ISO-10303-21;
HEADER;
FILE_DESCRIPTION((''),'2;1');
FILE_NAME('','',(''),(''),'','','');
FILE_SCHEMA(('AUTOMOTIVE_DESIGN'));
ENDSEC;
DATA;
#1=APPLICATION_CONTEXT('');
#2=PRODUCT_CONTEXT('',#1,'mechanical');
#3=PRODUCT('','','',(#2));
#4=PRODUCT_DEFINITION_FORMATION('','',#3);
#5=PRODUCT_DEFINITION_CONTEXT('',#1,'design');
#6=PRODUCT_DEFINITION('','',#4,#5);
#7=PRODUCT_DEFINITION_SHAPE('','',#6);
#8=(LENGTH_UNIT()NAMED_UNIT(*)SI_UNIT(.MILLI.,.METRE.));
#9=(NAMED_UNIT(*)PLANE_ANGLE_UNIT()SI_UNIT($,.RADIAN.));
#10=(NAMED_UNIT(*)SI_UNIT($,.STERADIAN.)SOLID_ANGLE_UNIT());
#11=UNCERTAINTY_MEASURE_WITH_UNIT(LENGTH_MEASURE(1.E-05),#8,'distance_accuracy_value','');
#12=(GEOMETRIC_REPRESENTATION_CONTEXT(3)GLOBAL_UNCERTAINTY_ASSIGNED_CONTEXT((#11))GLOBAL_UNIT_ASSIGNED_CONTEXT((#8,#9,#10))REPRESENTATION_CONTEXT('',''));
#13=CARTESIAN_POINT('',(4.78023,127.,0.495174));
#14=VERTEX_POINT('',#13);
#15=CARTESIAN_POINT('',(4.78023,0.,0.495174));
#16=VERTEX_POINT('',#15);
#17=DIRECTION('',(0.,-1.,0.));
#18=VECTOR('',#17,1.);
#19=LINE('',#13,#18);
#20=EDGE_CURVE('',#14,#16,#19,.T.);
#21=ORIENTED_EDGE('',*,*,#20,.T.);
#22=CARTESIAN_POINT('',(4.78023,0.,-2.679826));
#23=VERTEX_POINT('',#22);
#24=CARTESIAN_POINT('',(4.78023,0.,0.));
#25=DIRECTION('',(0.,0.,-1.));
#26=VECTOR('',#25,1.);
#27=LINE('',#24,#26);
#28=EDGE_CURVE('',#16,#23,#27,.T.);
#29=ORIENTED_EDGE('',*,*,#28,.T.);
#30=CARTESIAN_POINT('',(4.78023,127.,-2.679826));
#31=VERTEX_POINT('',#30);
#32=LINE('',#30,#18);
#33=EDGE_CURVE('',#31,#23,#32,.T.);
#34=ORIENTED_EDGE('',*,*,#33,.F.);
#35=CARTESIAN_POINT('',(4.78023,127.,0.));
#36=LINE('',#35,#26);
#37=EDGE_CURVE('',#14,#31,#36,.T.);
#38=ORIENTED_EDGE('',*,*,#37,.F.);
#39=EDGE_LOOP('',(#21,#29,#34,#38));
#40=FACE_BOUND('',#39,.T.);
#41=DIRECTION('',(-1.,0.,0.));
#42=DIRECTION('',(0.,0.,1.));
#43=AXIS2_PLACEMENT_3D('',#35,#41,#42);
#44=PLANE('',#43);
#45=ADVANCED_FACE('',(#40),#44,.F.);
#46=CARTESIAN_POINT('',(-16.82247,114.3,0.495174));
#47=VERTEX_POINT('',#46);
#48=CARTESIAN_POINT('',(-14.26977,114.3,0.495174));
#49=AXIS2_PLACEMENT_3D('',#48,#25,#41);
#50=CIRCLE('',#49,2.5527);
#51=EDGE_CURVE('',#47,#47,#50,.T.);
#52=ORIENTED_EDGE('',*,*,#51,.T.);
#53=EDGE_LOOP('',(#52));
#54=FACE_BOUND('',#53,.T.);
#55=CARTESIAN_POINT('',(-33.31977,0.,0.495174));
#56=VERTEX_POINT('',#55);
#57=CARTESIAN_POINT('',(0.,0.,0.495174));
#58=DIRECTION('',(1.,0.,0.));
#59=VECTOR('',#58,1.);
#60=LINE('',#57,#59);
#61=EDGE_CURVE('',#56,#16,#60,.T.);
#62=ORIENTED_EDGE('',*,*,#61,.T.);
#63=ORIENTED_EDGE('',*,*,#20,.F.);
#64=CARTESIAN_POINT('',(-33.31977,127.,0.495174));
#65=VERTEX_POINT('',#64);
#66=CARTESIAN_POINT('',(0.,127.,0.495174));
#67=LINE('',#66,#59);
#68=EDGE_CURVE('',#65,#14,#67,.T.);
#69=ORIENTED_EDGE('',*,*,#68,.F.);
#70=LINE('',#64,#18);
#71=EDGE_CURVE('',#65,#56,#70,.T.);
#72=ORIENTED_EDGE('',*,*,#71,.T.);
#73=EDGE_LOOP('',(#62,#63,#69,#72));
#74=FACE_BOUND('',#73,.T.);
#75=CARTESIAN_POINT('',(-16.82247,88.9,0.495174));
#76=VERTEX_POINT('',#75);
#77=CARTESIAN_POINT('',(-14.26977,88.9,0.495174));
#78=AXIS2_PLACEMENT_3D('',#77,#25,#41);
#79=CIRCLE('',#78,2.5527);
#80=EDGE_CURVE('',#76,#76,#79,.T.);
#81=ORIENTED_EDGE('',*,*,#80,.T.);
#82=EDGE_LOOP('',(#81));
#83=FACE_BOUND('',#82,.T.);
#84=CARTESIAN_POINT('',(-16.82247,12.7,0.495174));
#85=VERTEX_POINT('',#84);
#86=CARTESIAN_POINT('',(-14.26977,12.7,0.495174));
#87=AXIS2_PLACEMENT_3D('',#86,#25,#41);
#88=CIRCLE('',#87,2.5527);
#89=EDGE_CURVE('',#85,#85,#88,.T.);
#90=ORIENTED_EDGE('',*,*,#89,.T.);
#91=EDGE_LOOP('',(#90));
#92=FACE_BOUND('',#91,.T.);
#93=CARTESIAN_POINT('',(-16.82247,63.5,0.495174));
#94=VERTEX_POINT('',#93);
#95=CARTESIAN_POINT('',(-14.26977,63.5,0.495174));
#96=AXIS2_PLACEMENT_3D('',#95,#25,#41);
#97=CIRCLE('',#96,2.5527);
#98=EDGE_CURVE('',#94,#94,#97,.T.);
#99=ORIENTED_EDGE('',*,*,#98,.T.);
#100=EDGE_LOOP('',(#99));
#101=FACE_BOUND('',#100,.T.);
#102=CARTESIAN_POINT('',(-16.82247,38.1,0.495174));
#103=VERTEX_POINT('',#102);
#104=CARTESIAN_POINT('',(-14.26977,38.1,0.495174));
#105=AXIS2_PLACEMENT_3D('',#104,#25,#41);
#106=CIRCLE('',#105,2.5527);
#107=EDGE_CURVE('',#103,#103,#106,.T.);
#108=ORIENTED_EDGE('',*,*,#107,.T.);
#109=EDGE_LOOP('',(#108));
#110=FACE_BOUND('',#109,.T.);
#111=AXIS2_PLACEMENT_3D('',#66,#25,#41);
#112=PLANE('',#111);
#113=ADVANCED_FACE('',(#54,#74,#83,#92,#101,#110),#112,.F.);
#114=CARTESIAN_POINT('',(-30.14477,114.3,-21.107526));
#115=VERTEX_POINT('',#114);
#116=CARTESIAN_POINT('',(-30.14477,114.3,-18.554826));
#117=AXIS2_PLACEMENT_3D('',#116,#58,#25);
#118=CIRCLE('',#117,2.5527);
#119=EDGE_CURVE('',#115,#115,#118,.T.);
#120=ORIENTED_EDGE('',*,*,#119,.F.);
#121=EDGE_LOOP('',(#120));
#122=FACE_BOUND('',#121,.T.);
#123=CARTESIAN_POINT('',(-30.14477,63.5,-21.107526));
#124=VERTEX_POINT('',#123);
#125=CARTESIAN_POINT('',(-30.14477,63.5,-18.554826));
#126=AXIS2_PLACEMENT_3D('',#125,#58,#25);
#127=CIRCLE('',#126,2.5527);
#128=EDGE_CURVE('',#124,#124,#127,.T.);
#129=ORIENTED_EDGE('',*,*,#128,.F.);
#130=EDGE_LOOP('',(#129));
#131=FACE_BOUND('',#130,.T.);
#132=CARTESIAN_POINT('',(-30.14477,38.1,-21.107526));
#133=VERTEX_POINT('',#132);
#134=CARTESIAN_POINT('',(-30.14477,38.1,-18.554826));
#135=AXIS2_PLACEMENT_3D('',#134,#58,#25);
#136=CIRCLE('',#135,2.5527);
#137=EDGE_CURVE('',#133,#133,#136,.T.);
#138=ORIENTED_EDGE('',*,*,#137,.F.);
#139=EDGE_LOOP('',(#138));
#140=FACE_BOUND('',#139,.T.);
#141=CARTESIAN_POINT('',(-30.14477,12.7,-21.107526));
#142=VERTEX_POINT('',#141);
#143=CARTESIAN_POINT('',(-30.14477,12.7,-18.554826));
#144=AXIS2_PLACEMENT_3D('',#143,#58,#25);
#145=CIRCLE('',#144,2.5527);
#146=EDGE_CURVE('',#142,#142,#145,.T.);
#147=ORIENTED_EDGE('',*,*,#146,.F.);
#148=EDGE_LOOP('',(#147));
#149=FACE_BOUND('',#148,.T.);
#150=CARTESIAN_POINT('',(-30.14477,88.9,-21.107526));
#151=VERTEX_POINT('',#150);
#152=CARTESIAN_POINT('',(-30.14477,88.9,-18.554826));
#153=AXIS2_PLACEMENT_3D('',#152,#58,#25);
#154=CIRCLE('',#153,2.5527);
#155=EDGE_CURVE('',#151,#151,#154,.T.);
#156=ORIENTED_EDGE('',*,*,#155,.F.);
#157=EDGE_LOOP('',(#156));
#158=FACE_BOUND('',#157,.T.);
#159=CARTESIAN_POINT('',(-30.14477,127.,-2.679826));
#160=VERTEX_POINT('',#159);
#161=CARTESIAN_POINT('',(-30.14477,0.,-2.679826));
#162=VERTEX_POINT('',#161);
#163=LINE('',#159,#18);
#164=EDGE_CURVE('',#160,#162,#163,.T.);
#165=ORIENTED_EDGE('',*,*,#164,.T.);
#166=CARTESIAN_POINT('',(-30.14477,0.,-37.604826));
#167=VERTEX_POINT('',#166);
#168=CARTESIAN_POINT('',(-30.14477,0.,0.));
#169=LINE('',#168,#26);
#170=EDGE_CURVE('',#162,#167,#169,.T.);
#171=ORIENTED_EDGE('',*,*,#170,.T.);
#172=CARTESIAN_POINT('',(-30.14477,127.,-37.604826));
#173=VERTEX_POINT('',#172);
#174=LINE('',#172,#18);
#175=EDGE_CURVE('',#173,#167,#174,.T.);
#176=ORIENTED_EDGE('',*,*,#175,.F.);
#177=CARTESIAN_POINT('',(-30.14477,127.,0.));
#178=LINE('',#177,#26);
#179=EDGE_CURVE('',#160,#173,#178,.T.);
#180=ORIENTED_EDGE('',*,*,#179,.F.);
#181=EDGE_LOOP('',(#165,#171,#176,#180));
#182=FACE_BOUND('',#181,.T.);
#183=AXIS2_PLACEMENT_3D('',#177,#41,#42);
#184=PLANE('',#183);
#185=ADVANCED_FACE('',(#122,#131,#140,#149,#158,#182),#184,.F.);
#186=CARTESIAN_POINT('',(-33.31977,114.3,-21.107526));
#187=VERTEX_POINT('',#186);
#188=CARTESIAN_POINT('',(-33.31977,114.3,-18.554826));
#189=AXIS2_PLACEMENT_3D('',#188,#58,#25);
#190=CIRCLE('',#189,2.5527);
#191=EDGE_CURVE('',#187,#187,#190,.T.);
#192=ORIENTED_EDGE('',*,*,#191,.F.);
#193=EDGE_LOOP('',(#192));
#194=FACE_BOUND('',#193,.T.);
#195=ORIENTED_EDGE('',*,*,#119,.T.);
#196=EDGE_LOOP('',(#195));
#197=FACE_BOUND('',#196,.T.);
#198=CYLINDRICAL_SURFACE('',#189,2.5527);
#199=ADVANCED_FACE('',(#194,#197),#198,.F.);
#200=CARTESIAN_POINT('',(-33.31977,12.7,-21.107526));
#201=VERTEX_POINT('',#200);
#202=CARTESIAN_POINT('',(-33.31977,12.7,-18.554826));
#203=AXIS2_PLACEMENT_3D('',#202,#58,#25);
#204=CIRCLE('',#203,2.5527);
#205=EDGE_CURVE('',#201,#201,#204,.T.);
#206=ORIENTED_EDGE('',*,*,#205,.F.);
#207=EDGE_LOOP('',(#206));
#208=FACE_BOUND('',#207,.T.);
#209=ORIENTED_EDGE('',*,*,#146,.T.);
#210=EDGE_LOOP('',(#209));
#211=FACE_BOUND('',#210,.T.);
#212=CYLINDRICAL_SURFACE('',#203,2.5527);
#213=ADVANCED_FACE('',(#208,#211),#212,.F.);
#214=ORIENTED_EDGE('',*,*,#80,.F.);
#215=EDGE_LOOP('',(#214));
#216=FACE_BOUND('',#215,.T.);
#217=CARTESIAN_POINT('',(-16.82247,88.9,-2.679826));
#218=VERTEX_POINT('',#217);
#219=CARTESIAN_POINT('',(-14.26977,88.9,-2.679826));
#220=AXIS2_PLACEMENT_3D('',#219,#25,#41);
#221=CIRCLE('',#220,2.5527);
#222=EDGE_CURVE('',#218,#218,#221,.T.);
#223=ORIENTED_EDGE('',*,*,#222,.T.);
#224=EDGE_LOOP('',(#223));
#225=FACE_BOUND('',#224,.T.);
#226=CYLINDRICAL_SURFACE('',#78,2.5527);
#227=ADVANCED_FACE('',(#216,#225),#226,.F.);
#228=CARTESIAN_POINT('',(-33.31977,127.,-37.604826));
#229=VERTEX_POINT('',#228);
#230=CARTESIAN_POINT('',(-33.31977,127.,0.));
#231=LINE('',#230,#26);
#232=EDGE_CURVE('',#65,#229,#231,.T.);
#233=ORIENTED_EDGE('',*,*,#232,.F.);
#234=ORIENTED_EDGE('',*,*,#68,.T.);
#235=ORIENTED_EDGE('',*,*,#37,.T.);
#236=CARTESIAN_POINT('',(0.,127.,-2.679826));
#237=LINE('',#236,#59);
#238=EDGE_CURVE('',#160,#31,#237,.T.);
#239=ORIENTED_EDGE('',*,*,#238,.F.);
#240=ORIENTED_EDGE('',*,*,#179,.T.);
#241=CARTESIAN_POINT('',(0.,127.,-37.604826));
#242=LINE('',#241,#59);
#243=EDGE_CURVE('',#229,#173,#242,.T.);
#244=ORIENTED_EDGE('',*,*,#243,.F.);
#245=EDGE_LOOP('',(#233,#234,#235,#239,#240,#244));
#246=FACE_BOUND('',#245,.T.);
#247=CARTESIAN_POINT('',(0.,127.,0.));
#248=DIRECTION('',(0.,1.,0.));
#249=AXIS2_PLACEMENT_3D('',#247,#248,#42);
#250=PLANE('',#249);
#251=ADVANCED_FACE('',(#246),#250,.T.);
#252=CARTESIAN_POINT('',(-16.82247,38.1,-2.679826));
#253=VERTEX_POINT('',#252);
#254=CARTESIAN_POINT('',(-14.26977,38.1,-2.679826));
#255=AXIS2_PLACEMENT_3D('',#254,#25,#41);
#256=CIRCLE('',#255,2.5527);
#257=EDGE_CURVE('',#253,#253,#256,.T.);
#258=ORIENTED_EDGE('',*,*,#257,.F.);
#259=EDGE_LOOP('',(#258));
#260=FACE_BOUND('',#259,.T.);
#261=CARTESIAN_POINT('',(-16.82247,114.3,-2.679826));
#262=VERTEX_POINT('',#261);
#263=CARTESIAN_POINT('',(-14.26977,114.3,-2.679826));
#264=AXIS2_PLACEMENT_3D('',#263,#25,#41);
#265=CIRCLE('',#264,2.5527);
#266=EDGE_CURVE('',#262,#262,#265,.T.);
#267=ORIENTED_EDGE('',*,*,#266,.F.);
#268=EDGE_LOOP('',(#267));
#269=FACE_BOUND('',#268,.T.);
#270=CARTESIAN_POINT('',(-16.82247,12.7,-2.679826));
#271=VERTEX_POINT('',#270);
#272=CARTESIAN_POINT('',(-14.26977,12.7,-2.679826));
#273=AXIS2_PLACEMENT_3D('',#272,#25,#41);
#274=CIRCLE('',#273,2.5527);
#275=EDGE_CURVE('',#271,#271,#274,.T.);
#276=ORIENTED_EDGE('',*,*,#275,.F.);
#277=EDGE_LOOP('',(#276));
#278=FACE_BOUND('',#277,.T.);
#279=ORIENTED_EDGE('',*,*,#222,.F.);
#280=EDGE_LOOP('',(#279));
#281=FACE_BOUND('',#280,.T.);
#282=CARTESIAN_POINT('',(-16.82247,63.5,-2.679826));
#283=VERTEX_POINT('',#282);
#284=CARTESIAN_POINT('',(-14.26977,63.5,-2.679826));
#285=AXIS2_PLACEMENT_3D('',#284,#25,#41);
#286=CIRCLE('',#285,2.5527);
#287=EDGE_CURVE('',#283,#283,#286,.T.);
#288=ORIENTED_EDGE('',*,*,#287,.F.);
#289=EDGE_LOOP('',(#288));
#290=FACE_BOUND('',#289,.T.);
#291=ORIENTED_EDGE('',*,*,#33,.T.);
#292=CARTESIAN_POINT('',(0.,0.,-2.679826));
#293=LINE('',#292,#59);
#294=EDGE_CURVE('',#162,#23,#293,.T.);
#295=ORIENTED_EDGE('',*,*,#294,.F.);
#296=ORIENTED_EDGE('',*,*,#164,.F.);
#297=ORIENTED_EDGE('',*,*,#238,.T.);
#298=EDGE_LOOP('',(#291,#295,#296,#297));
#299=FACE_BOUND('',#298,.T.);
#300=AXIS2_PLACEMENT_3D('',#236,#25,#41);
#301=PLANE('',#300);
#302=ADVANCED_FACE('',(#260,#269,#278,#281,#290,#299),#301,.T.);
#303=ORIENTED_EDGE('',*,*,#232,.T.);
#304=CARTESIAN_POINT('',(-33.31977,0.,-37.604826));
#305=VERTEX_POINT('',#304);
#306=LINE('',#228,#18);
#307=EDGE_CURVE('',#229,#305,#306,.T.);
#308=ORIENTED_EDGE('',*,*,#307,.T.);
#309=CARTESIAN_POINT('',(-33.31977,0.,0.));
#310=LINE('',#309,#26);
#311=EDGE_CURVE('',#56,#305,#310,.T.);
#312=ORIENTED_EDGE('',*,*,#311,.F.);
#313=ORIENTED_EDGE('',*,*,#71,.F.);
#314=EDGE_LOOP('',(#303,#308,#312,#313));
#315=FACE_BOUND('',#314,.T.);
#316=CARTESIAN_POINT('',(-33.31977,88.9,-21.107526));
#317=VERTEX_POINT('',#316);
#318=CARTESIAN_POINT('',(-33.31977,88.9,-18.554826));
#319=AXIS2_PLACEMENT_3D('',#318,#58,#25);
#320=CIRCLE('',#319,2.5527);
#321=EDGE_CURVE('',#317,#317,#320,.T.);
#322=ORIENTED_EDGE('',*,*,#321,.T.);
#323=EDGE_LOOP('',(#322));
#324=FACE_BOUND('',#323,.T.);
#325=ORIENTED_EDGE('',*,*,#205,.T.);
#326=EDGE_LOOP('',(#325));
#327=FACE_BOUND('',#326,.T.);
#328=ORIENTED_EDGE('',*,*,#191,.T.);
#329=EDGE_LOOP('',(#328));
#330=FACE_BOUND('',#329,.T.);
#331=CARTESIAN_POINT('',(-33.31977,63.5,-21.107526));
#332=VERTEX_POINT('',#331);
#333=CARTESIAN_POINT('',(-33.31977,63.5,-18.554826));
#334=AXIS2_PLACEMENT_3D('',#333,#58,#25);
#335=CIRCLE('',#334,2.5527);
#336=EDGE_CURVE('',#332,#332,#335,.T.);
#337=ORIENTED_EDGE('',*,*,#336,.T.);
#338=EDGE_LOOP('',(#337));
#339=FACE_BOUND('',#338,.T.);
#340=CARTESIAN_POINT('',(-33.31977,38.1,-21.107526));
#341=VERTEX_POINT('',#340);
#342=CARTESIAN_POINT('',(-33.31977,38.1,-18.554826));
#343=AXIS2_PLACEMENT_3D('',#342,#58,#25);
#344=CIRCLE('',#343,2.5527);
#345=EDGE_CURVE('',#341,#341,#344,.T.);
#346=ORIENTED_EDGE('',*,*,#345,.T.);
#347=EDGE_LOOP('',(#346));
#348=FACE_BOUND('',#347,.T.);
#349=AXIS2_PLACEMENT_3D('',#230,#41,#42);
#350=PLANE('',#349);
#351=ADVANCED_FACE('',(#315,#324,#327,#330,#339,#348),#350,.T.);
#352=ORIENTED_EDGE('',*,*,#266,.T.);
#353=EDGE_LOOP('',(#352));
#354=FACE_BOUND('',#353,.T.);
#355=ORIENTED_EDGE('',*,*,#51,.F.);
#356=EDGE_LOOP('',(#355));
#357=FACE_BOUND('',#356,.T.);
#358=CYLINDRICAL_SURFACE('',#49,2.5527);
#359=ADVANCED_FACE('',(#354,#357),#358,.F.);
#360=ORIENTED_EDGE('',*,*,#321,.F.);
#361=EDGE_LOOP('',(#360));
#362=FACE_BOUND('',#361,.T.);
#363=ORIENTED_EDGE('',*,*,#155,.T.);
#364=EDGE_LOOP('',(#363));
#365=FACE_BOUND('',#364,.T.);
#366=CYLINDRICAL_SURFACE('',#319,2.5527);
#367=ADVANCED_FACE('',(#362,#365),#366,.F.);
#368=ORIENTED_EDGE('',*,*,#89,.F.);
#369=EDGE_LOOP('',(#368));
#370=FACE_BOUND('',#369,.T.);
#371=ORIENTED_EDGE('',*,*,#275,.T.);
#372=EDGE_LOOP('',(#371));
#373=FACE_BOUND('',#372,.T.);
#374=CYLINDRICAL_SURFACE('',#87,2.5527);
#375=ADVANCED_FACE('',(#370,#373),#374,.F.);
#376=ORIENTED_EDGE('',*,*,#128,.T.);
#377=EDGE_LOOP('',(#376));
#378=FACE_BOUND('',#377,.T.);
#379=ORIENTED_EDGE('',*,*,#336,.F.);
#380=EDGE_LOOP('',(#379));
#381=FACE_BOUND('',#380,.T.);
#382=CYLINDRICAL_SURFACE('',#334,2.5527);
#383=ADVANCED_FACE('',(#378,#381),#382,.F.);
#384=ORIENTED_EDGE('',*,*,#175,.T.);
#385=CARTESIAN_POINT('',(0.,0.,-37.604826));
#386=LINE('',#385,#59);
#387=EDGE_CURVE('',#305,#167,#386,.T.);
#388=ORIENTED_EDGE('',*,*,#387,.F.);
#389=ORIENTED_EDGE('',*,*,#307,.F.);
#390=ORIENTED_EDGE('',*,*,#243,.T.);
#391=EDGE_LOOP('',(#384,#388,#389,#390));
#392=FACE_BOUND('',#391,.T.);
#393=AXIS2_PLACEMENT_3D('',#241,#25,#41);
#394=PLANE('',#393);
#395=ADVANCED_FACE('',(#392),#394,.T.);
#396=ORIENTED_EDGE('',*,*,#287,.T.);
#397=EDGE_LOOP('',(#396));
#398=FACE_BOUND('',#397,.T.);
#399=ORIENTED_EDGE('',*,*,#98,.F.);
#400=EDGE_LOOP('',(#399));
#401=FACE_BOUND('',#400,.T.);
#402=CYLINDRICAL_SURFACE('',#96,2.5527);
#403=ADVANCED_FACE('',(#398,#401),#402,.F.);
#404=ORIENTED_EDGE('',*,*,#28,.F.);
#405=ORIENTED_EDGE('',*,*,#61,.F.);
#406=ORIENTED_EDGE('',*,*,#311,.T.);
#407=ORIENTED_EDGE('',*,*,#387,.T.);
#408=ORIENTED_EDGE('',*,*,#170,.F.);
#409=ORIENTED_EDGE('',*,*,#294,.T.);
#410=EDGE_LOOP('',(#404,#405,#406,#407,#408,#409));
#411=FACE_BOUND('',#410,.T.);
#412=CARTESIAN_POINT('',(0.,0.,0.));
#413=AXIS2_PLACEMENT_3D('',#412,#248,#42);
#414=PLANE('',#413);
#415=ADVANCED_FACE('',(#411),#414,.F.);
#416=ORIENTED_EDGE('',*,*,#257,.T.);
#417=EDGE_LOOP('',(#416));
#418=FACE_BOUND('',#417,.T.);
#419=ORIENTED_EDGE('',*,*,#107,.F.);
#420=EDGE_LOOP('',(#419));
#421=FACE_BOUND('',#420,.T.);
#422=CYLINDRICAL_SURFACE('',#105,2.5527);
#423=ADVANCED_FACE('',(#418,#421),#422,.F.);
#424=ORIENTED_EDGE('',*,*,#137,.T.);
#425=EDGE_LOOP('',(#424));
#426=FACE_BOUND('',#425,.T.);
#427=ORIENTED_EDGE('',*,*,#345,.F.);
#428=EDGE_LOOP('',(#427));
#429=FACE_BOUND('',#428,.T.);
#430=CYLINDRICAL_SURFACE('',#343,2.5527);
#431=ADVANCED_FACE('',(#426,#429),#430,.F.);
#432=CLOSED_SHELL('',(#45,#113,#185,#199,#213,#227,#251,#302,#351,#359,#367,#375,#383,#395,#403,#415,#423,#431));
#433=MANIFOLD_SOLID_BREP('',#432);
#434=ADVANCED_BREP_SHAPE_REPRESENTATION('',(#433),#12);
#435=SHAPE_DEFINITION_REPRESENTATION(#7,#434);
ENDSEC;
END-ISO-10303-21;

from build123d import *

# Parameters (mm, degrees)
BOSS_EXTRUDE1_DEPTH = 127
SKETCH3_R           = 2.5527
CUT_EXTRUDE1_DEPTH  = 137.977657098
LPATTERN1_COUNT     = 5
LPATTERN1_PITCH     = 25.4
SKETCH4_R           = 2.5527
CUT_EXTRUDE2_DEPTH  = 136.863765286
LPATTERN2_COUNT     = 5
LPATTERN2_PITCH     = 25.4


with BuildPart() as part:
    # Sketch2 → Boss-Extrude1 (new body)
    with BuildSketch(Plane(origin=(0, 0, 0), x_dir=(1, 0, 0), z_dir=(0, 1, 0))):
        Polygon((-33.319770297, 37.604825743), (-33.319770297, -0.495174257), (4.780229703, -0.495174257), (4.780229703, 2.679825743), (-30.144770297, 2.679825743), (-30.144770297, 37.604825743), align=None)
    extrude(amount=BOSS_EXTRUDE1_DEPTH)

    # Sketch3 → Cut-Extrude1 (cut, through all)
    with BuildSketch(Plane(origin=(-30.144770297, 0, 0), x_dir=(0, 0, -1), z_dir=(1, 0, 0))):
        with Locations((18.554825743, 12.7)):
            Circle(SKETCH3_R)
    cut_extrude1 = extrude(amount=-CUT_EXTRUDE1_DEPTH, mode=Mode.SUBTRACT)

    # LPattern1: Cut-Extrude1 ×5
    with Locations(*[(0, i * LPATTERN1_PITCH, 0) for i in range(1, LPATTERN1_COUNT)]):
        add(cut_extrude1, mode=Mode.SUBTRACT)

    # Sketch4 → Cut-Extrude2 (cut, through all)
    with BuildSketch(Plane(origin=(0, 0, -2.679825743), x_dir=(-1, 0, 0), z_dir=(0, 0, -1))):
        with Locations((14.269770297, 12.7)):
            Circle(SKETCH4_R)
    cut_extrude2 = extrude(amount=-CUT_EXTRUDE2_DEPTH, mode=Mode.SUBTRACT)

    # LPattern2: Cut-Extrude2 ×5
    with Locations(*[(0, i * LPATTERN2_PITCH, 0) for i in range(1, LPATTERN2_COUNT)]):
        add(cut_extrude2, mode=Mode.SUBTRACT)


solid = part.part
